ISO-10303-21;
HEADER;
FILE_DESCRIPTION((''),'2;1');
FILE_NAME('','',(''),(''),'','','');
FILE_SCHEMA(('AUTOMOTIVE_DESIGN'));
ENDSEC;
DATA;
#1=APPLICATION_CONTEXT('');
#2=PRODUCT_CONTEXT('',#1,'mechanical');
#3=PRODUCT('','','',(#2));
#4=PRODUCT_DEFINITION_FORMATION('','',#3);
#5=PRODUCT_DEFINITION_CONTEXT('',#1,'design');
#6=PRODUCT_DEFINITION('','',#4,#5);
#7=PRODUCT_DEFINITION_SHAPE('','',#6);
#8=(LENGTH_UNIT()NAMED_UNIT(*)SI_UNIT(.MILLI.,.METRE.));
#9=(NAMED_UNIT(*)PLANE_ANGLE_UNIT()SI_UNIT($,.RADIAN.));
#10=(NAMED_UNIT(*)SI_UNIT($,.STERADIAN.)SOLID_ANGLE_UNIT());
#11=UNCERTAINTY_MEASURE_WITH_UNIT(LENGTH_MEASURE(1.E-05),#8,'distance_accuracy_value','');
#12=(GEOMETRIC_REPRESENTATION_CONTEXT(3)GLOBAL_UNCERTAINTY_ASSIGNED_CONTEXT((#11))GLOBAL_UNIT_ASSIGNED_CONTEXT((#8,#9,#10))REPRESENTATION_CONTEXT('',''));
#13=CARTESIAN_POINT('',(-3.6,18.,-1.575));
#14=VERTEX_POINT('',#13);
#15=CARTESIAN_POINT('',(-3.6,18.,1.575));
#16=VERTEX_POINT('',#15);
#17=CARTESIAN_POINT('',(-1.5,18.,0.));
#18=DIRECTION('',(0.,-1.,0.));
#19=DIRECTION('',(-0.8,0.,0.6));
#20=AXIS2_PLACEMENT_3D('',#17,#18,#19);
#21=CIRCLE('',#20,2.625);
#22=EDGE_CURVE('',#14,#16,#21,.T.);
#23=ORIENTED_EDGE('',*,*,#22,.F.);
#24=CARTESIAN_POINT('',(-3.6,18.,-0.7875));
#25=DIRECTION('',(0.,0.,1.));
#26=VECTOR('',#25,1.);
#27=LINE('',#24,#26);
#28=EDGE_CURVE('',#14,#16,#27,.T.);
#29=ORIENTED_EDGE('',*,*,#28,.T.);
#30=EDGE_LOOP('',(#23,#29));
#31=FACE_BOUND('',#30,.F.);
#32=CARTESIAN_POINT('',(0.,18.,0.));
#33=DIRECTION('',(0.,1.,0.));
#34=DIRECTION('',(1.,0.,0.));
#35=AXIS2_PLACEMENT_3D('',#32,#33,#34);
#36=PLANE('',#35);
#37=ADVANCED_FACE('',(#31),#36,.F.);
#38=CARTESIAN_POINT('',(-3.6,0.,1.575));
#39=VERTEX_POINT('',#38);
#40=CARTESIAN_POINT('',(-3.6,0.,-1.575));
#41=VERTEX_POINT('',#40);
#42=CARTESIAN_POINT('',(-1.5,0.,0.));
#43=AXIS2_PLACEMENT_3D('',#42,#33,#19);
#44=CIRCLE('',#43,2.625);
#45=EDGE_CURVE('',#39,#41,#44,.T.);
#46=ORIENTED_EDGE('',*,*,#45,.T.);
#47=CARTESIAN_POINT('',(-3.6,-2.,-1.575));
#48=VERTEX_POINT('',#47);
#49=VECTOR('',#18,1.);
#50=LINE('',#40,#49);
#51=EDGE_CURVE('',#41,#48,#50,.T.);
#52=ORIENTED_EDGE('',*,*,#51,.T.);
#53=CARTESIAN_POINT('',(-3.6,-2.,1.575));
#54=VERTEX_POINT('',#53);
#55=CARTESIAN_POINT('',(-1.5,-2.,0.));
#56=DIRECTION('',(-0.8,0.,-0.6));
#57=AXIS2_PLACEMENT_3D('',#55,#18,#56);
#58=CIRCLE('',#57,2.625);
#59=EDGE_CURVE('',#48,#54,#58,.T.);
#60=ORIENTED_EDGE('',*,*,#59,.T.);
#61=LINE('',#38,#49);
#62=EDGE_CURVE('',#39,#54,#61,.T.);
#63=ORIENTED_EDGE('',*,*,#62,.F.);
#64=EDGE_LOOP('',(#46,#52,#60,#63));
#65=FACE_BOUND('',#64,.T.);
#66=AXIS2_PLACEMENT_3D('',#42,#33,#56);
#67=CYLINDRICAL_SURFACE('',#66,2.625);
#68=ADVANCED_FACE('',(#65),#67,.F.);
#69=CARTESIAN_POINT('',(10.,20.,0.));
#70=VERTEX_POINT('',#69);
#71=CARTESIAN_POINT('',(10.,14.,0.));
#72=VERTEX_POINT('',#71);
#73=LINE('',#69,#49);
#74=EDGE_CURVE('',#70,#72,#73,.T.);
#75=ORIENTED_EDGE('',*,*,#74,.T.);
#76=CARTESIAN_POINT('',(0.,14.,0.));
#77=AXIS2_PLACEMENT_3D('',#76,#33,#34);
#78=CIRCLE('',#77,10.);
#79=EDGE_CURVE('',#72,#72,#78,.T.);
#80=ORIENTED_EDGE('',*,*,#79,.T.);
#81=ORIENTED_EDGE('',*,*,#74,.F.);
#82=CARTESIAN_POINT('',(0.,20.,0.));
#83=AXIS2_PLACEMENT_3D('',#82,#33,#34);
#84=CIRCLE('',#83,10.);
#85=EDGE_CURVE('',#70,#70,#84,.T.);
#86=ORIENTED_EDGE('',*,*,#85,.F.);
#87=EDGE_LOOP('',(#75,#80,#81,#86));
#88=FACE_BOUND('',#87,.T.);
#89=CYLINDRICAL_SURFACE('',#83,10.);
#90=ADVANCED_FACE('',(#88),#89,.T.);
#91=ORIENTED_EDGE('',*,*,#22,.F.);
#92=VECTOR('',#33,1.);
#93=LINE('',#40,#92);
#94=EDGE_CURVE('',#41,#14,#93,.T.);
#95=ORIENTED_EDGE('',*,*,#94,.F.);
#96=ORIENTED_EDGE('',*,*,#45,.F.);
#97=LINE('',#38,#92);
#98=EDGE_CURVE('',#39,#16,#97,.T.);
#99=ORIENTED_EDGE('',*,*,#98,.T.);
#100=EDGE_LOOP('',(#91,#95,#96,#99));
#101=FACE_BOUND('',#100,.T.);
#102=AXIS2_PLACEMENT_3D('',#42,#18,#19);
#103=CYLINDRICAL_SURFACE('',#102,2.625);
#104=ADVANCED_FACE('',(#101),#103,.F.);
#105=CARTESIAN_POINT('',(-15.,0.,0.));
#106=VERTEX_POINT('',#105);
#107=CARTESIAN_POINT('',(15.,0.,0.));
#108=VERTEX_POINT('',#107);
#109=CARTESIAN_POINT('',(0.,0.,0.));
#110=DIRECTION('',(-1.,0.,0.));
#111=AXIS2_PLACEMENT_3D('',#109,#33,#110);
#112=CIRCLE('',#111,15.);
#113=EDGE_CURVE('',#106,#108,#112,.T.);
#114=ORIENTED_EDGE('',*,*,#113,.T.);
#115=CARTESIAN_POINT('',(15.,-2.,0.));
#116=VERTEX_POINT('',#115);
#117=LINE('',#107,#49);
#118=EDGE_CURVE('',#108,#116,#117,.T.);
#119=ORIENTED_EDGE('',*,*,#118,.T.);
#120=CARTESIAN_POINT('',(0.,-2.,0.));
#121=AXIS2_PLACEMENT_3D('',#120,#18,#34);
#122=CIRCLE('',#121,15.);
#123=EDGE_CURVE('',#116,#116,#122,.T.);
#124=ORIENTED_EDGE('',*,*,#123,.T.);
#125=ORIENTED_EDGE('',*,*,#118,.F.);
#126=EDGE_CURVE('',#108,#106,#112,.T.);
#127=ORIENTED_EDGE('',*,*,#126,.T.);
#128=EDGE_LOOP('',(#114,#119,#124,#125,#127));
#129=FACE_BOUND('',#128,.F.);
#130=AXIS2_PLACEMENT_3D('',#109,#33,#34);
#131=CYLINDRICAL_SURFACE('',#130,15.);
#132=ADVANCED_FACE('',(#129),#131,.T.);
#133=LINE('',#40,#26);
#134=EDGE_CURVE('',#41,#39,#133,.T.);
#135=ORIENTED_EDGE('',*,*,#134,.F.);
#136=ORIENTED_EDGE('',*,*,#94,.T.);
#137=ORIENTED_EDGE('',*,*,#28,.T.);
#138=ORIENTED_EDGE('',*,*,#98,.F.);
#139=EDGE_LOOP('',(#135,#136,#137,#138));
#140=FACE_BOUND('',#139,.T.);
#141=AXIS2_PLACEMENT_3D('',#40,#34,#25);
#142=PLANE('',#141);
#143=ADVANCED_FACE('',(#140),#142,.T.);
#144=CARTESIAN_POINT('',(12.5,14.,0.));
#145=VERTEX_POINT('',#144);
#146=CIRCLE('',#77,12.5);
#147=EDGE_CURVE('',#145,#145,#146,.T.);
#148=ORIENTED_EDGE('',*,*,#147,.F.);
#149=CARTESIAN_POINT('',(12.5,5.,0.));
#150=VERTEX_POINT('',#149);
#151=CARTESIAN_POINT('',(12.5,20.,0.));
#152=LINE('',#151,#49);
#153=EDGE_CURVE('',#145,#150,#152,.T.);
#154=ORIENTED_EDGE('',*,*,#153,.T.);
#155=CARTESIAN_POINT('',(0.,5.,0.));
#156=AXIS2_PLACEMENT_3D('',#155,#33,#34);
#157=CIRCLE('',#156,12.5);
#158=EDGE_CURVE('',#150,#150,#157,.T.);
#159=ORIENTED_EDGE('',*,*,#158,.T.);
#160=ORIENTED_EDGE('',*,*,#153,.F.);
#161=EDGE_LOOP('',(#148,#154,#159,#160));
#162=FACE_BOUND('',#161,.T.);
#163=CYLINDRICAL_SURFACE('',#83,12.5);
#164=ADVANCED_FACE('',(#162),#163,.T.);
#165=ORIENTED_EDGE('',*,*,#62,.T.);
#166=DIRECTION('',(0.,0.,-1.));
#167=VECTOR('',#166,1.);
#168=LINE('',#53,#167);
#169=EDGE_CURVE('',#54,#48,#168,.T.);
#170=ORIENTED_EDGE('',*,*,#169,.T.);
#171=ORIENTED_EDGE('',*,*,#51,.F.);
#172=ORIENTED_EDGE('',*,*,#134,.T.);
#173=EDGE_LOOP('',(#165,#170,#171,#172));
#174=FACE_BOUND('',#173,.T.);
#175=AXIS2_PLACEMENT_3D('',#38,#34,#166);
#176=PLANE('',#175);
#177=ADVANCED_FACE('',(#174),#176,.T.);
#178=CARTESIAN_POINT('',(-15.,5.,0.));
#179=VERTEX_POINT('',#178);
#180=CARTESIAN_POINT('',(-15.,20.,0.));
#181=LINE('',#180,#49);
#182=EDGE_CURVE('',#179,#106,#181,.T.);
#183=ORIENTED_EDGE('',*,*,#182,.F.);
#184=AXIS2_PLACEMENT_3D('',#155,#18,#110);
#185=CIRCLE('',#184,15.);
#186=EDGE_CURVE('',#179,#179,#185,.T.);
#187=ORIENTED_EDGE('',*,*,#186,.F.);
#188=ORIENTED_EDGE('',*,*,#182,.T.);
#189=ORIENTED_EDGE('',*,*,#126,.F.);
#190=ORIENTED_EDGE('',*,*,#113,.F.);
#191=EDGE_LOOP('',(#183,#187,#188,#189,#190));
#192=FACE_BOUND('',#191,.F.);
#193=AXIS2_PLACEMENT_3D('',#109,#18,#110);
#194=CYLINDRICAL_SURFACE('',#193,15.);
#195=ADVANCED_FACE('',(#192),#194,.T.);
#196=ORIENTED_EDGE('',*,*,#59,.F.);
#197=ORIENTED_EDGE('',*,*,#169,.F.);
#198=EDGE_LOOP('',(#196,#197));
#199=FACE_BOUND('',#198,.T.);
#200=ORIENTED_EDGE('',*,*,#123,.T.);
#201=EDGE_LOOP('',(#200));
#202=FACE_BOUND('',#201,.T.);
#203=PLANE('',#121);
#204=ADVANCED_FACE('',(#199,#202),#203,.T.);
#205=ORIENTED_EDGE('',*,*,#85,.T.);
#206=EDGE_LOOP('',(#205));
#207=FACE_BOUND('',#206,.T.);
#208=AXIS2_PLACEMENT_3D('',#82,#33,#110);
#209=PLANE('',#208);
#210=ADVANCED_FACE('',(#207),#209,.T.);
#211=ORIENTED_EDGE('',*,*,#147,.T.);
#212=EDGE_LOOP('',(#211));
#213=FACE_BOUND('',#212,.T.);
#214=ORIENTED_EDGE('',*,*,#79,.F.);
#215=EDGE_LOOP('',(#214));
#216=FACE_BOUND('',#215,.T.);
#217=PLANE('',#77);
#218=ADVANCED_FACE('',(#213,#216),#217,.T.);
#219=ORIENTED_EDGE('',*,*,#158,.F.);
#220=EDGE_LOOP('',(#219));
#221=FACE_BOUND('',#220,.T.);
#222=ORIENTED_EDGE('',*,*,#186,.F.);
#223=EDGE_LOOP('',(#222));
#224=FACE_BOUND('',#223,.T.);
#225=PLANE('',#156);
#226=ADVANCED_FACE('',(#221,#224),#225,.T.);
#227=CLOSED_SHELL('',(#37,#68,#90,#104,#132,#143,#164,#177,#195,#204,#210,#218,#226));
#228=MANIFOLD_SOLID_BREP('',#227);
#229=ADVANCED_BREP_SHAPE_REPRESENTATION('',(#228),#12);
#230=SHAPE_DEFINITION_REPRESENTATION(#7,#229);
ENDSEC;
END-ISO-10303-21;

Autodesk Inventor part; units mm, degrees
ref_plane "YZ Plane" through (0, 0, 0) normal (1, 0, 0) x (0, 1, 0)
ref_plane "XZ Plane" through (0, 0, 0) normal (0, 1, 0) x (-1, 0, 0)
ref_plane "XY Plane" through (0, 0, 0) normal (0, 0, 1) x (1, 0, 0)
sketch "Szkic1" plane through (0, 0, 0) normal (0, 1, 0) x (-1, 0, 0)
  circle A0 centre (0, 0) radius 15
  arc A1 (3.6, 1.575) -> (3.6, -1.575) centre (1.5, 0) ccw
  line L0 (3.6, -1.575) -> (3.6, 1.575)
  dimension "d0" = 30
  dimension "d1" = 5.25
  dimension "d2" = 3.6
extrude "Wyciągnięcie proste1" add sketch "Szkic1" along normal blind 20
sketch "Szkic2" plane through (0, 20, 0) normal (0, 1, 0) x (1, 0, 0)
  circle A0 centre (0, 0) radius 15 projected
  circle A1 centre (0, 0) radius 12.5
extrude "Wyciągnięcie proste2" add sketch "Szkic2" against normal blind 2 contours A0 | A1
sketch "Szkic3" plane through (0, 20, 0) normal (0, 1, 0) x (1, 0, 0)
  circle A0 centre (0, 0) radius 15
  circle A1 centre (0, 0) radius 12.5
  dimension "d7" = 25
extrude "Wyciągnięcie proste3" cut sketch "Szkic3" against normal blind 15
sketch "Szkic4" plane through (0, 20, 0) normal (0, 1, 0) x (1, 0, 0)
  circle A0 centre (0, 0) radius 10
  circle A1 centre (0, 0) radius 12.5
  dimension "d10" = 20
extrude "Wyciągnięcie proste4" cut sketch "Szkic4" against normal blind 6
sketch "Szkic5" plane through (0, 18, 0) normal (0, -1, 0) x (1, 0, 0)
  point P0 (0, 0)
sketch "Szkic6" plane through (0, 0, 0) normal (0, -1, 0) x (1, 0, 0)
  circle A0 centre (0, 0) radius 15
  line L0 (-3.6, 1.575) -> (-3.6, -1.575) projected
  line L1 (-3.6, 1.575) -> (-3.6, -1.575)
  arc A1 (-3.6, -1.575) -> (-3.6, 1.575) centre (-1.5, 0) ccw
extrude "Wyciągnięcie proste5" add sketch "Szkic6" along normal blind 2
properties part number "_Drukowanie 3D"
